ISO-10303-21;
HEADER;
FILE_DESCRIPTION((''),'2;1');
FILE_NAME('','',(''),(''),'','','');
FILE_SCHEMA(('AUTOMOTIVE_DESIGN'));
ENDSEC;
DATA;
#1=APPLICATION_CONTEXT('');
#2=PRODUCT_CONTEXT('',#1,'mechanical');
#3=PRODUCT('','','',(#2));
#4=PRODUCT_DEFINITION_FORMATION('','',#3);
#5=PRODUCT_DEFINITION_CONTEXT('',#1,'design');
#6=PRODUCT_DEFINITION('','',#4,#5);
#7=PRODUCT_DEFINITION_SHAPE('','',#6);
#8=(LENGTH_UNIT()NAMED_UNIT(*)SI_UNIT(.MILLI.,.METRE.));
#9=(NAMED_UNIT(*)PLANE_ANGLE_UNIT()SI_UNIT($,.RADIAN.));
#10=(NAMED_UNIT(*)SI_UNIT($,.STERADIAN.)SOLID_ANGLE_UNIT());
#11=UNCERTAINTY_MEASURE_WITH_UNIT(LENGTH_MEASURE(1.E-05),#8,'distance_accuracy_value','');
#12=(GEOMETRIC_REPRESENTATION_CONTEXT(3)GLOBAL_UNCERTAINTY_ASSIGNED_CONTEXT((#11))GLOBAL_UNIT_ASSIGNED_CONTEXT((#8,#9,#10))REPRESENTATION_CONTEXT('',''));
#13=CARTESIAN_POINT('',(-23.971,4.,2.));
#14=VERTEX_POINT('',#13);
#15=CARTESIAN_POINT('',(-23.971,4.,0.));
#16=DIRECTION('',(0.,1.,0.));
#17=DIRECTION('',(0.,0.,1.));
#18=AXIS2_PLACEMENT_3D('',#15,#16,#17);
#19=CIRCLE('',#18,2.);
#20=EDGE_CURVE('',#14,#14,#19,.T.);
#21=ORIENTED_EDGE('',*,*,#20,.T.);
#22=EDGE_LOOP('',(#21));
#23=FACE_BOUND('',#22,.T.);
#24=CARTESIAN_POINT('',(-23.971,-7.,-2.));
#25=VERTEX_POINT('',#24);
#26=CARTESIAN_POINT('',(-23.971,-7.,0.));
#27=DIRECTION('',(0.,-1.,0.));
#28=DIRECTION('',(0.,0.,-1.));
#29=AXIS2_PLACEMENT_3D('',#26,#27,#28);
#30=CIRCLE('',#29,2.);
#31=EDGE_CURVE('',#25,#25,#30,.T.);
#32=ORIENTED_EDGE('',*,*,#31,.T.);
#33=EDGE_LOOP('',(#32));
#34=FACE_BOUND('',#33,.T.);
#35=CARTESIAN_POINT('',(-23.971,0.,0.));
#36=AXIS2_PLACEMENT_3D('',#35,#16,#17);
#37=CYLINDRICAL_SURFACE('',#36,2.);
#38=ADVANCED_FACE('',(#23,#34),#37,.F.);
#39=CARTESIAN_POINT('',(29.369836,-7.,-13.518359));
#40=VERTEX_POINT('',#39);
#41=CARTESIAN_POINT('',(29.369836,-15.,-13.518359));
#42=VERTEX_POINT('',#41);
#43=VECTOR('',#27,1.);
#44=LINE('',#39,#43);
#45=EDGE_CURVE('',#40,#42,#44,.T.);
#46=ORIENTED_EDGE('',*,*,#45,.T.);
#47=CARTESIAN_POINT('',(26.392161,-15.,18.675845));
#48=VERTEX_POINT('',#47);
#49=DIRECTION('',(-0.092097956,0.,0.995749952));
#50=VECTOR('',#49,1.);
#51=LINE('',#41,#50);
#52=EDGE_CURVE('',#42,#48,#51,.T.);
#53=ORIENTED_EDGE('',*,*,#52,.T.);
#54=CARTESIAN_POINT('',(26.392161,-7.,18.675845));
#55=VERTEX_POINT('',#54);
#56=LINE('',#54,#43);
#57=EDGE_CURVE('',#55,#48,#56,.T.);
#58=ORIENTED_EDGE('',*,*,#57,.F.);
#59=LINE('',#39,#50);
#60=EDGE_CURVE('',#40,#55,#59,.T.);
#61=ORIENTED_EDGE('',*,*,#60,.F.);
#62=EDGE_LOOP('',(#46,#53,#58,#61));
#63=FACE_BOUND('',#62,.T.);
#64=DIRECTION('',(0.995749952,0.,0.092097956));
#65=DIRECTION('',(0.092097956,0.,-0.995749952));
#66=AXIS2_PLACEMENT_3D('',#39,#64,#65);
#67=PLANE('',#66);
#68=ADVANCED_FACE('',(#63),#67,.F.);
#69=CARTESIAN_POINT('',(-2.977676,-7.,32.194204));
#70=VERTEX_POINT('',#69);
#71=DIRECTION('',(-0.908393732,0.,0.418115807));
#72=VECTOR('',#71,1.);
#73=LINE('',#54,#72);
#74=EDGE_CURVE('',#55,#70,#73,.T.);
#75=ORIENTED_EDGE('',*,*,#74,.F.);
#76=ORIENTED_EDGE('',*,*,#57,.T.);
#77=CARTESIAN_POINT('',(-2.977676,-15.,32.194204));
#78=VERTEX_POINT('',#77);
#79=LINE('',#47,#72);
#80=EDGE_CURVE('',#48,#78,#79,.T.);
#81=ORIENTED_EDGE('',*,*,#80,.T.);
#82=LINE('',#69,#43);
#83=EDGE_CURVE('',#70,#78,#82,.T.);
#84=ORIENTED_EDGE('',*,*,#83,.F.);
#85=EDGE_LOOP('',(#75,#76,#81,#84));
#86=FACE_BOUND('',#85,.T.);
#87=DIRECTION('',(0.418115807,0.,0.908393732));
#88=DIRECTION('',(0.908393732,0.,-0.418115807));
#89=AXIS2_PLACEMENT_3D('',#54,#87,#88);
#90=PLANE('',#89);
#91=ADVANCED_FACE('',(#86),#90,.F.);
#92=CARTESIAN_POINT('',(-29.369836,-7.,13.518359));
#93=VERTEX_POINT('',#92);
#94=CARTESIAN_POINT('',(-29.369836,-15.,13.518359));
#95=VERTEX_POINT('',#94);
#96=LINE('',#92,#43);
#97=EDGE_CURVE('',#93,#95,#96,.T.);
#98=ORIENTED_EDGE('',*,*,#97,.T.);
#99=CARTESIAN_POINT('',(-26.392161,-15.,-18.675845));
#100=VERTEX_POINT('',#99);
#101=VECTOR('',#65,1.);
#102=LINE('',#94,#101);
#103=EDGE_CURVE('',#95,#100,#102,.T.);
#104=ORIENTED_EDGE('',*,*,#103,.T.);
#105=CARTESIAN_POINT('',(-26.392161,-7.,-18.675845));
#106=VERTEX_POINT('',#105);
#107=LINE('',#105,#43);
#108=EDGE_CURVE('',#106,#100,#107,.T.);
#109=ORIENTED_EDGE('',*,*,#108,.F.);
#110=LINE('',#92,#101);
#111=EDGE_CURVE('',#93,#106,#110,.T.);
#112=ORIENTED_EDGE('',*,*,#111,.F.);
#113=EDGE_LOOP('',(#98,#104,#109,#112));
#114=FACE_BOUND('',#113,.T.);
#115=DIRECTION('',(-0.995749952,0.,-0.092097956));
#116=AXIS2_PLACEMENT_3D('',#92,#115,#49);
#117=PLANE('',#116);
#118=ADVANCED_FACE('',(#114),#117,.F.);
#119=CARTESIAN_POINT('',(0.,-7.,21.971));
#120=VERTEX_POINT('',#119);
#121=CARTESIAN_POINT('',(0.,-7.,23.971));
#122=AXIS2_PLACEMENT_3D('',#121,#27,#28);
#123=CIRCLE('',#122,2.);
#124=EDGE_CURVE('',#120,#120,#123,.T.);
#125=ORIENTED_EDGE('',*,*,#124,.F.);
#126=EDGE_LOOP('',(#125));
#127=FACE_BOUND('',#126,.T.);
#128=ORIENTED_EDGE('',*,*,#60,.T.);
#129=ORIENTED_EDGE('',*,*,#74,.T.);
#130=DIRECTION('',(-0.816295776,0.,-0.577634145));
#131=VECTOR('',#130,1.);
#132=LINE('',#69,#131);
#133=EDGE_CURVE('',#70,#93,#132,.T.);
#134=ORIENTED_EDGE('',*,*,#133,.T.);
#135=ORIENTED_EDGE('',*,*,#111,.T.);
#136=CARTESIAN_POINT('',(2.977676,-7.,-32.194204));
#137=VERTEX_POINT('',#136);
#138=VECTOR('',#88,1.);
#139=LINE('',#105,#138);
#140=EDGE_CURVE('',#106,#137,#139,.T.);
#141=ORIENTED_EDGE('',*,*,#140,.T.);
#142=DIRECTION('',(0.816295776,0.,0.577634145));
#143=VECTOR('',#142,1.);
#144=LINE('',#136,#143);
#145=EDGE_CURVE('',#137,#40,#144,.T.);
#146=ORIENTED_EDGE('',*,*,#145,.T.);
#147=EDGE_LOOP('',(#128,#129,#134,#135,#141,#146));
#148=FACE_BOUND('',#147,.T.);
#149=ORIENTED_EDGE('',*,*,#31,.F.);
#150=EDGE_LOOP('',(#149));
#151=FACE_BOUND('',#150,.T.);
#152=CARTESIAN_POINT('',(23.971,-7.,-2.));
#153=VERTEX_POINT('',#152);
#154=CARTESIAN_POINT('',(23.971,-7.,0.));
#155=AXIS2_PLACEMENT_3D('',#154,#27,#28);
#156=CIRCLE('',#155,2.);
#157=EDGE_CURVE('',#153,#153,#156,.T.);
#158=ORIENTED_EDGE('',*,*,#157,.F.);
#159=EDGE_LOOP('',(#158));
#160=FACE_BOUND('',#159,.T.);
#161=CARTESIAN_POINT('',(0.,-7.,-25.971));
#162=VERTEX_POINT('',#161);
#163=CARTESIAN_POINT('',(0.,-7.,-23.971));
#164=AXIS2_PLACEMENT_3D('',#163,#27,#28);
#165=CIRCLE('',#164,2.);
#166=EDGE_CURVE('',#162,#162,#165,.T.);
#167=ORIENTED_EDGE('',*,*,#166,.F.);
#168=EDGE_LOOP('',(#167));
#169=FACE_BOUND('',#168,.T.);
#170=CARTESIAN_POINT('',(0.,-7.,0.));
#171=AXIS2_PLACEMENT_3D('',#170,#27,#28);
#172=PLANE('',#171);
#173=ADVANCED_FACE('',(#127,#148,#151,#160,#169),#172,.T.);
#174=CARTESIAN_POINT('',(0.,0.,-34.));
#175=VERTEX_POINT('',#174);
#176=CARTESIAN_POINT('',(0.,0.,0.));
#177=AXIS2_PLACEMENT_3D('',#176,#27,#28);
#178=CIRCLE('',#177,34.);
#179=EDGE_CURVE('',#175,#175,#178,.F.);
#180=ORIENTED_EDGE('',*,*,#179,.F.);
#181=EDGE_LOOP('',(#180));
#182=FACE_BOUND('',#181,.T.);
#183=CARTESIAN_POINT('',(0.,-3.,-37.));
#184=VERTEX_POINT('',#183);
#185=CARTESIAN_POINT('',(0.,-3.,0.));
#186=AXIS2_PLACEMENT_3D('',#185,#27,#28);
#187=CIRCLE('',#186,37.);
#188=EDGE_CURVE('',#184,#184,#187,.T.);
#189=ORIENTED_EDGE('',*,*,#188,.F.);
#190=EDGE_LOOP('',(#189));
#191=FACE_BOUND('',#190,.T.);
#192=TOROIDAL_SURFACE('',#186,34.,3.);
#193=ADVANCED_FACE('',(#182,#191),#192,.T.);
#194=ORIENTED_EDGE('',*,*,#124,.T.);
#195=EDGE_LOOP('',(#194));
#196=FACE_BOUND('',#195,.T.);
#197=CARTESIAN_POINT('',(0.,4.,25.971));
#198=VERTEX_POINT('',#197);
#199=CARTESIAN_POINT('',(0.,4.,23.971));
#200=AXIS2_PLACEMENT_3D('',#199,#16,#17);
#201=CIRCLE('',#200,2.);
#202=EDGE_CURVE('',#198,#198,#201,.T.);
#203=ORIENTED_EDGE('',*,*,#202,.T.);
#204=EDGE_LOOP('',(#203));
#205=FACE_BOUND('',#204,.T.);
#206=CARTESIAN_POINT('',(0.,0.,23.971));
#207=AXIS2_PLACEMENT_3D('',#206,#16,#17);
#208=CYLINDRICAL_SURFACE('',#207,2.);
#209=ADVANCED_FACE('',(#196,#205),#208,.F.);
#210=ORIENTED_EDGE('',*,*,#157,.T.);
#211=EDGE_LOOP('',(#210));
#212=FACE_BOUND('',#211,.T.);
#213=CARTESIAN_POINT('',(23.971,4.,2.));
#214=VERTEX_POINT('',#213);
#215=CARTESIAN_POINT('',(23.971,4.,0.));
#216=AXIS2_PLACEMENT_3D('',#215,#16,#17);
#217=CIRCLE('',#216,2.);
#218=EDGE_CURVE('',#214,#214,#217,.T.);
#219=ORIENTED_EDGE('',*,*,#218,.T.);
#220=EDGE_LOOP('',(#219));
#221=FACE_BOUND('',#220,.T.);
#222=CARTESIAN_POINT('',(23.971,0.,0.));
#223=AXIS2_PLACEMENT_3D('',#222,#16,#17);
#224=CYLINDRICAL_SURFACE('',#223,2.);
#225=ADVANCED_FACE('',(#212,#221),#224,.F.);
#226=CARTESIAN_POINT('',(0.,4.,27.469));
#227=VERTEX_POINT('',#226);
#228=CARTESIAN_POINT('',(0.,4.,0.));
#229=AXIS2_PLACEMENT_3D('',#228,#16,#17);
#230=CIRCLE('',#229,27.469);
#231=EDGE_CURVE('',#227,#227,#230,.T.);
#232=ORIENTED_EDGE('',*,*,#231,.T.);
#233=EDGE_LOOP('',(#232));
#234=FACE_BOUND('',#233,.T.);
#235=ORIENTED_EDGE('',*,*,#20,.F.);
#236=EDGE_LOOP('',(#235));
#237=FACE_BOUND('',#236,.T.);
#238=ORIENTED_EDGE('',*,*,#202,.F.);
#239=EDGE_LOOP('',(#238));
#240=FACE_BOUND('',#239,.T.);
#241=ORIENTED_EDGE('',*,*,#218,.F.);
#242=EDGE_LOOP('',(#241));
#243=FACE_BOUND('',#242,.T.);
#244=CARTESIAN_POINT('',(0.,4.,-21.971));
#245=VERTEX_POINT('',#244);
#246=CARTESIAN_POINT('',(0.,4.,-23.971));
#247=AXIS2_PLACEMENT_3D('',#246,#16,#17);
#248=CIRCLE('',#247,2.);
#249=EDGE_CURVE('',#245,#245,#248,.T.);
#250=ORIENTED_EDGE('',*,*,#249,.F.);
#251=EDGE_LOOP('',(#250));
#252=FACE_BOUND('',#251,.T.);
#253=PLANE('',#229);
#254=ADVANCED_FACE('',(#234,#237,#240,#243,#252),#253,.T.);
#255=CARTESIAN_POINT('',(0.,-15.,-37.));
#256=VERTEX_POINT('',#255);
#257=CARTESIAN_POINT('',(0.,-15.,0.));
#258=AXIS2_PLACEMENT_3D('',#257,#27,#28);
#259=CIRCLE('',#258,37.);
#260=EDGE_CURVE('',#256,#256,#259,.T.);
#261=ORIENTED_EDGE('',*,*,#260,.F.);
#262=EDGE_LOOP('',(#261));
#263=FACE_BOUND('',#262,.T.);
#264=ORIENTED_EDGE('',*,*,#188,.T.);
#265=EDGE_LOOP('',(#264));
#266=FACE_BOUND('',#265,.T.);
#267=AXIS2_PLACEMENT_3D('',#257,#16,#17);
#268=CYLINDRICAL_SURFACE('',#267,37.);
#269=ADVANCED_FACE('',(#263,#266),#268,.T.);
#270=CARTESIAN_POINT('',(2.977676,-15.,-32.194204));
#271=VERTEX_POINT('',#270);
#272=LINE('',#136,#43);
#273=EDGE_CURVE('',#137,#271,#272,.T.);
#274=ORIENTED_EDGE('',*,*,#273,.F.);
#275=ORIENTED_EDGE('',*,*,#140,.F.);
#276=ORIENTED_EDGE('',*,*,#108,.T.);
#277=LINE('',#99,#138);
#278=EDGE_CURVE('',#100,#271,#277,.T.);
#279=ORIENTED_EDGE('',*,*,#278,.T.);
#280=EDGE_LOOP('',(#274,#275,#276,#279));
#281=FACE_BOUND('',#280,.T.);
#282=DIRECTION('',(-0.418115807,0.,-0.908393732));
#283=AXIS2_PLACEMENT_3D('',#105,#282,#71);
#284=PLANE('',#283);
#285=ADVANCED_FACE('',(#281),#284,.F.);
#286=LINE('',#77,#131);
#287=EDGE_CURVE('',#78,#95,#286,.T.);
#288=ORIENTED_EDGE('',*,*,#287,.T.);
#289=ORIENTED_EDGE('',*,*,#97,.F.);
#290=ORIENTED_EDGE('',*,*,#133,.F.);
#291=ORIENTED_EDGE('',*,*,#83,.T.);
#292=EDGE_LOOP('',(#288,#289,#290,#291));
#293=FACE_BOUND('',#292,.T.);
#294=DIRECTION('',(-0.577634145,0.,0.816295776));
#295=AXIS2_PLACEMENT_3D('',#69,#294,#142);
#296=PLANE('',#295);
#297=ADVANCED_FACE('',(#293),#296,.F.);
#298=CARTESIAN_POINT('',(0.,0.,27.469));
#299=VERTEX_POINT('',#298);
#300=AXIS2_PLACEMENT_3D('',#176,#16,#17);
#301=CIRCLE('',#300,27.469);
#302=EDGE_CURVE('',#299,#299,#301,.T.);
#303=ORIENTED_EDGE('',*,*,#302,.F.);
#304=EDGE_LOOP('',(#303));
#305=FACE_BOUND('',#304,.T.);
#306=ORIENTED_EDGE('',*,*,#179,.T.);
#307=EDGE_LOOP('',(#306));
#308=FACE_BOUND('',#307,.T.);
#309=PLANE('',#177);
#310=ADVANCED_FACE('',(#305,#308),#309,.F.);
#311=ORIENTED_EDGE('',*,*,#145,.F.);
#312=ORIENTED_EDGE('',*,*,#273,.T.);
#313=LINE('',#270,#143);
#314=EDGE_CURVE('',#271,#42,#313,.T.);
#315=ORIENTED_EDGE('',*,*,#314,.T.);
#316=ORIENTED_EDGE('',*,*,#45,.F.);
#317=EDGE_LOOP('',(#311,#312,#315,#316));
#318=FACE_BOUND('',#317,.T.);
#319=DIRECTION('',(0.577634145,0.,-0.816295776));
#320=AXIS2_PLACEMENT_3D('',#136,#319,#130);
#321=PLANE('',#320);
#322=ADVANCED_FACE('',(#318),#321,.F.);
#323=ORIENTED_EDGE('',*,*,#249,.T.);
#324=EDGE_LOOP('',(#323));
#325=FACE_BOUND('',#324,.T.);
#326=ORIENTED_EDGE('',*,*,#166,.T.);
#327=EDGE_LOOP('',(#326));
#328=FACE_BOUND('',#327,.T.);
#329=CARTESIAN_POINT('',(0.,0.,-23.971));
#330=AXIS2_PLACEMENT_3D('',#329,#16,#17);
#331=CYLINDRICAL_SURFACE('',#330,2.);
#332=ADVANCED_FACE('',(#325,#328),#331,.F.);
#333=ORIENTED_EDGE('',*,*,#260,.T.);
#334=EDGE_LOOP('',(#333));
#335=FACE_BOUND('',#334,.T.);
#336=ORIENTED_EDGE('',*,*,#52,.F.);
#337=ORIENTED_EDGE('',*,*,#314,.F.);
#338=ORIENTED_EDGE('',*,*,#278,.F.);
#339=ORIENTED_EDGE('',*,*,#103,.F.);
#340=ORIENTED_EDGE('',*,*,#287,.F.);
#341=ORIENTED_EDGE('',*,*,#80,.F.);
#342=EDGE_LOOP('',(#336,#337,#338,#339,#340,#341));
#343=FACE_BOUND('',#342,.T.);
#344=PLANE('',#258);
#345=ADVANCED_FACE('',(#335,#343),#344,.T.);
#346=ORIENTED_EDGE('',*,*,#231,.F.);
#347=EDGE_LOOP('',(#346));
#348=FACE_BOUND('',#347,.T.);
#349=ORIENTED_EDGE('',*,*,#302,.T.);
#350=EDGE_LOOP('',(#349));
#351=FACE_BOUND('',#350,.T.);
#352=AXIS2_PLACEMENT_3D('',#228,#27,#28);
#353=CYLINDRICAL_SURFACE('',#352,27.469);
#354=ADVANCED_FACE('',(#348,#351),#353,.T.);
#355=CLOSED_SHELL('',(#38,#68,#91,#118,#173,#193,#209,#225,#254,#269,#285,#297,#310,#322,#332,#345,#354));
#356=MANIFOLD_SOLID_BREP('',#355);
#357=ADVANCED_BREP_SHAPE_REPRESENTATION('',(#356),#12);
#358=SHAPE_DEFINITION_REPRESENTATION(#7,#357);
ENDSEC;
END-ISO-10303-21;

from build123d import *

# Parameters (mm, degrees)
SKETCH2_R           = 27.469
BOSS_EXTRUDE1_DEPTH = 4
SKETCH3_R           = 2
CUT_EXTRUDE1_DEPTH  = 5
SKETCH4_R           = 37
BOSS_EXTRUDE2_DEPTH = 15
CUT_EXTRUDE3_DEPTH  = 8
FILLET1_R           = 3
SKETCH7_R           = 2
CUT_EXTRUDE5_DEPTH  = 25


with BuildPart() as part:
    # Sketch2 → Boss-Extrude1 (new body)
    with BuildSketch(Plane(origin=(0, 0, 0), x_dir=(1, 0, 0), z_dir=(0, 1, 0))):
        Circle(SKETCH2_R)
    extrude(amount=BOSS_EXTRUDE1_DEPTH)

    # Sketch3 → Cut-Extrude1 (cut, through all)
    with BuildSketch(Plane(origin=(0, 4, 0), x_dir=(1, 0, 0), z_dir=(0, 1, 0))):
        with Locations((-23.971, 0)):
            Circle(SKETCH3_R)
        with Locations((0, 23.971)):
            Circle(SKETCH3_R)
        with Locations((23.971, 0)):
            Circle(SKETCH3_R)
        with Locations((0, -23.971)):
            Circle(SKETCH3_R)
    extrude(amount=-CUT_EXTRUDE1_DEPTH, mode=Mode.SUBTRACT)

    # Sketch4 → Boss-Extrude2 (add)
    with BuildSketch(Plane.XZ):
        Circle(SKETCH4_R)
    extrude(amount=BOSS_EXTRUDE2_DEPTH)

    # Sketch6 → Cut-Extrude3 (cut)
    with BuildSketch(Plane.XZ.offset(15)):
        Polygon((-29.369836479, 13.518359314), (-26.392160823, -18.675844839), (2.977675656, -32.194204153), (29.369836479, -13.518359314), (26.392160823, 18.675844839), (-2.977675656, 32.194204153), align=None)
    extrude(amount=-CUT_EXTRUDE3_DEPTH, mode=Mode.SUBTRACT)

    # Fillet1
    fillet1_edges = [part.edges().sort_by_distance(p)[0] for p in [
        (-37, 0, 0),
    ]]
    fillet(fillet1_edges, radius=FILLET1_R)

    # Sketch7 → Cut-Extrude5 (cut, through all)
    with BuildSketch(Plane(origin=(0, 9, 0), x_dir=(1, 0, 0), z_dir=(0, 1, 0))):
        with Locations((0, 23.971)):
            Circle(SKETCH7_R)
        with Locations((23.971, 0)):
            Circle(SKETCH7_R)
        with Locations((0, -23.971)):
            Circle(SKETCH7_R)
        with Locations((-23.971, 0)):
            Circle(SKETCH7_R)
    extrude(amount=-CUT_EXTRUDE5_DEPTH, mode=Mode.SUBTRACT)


solid = part.part
